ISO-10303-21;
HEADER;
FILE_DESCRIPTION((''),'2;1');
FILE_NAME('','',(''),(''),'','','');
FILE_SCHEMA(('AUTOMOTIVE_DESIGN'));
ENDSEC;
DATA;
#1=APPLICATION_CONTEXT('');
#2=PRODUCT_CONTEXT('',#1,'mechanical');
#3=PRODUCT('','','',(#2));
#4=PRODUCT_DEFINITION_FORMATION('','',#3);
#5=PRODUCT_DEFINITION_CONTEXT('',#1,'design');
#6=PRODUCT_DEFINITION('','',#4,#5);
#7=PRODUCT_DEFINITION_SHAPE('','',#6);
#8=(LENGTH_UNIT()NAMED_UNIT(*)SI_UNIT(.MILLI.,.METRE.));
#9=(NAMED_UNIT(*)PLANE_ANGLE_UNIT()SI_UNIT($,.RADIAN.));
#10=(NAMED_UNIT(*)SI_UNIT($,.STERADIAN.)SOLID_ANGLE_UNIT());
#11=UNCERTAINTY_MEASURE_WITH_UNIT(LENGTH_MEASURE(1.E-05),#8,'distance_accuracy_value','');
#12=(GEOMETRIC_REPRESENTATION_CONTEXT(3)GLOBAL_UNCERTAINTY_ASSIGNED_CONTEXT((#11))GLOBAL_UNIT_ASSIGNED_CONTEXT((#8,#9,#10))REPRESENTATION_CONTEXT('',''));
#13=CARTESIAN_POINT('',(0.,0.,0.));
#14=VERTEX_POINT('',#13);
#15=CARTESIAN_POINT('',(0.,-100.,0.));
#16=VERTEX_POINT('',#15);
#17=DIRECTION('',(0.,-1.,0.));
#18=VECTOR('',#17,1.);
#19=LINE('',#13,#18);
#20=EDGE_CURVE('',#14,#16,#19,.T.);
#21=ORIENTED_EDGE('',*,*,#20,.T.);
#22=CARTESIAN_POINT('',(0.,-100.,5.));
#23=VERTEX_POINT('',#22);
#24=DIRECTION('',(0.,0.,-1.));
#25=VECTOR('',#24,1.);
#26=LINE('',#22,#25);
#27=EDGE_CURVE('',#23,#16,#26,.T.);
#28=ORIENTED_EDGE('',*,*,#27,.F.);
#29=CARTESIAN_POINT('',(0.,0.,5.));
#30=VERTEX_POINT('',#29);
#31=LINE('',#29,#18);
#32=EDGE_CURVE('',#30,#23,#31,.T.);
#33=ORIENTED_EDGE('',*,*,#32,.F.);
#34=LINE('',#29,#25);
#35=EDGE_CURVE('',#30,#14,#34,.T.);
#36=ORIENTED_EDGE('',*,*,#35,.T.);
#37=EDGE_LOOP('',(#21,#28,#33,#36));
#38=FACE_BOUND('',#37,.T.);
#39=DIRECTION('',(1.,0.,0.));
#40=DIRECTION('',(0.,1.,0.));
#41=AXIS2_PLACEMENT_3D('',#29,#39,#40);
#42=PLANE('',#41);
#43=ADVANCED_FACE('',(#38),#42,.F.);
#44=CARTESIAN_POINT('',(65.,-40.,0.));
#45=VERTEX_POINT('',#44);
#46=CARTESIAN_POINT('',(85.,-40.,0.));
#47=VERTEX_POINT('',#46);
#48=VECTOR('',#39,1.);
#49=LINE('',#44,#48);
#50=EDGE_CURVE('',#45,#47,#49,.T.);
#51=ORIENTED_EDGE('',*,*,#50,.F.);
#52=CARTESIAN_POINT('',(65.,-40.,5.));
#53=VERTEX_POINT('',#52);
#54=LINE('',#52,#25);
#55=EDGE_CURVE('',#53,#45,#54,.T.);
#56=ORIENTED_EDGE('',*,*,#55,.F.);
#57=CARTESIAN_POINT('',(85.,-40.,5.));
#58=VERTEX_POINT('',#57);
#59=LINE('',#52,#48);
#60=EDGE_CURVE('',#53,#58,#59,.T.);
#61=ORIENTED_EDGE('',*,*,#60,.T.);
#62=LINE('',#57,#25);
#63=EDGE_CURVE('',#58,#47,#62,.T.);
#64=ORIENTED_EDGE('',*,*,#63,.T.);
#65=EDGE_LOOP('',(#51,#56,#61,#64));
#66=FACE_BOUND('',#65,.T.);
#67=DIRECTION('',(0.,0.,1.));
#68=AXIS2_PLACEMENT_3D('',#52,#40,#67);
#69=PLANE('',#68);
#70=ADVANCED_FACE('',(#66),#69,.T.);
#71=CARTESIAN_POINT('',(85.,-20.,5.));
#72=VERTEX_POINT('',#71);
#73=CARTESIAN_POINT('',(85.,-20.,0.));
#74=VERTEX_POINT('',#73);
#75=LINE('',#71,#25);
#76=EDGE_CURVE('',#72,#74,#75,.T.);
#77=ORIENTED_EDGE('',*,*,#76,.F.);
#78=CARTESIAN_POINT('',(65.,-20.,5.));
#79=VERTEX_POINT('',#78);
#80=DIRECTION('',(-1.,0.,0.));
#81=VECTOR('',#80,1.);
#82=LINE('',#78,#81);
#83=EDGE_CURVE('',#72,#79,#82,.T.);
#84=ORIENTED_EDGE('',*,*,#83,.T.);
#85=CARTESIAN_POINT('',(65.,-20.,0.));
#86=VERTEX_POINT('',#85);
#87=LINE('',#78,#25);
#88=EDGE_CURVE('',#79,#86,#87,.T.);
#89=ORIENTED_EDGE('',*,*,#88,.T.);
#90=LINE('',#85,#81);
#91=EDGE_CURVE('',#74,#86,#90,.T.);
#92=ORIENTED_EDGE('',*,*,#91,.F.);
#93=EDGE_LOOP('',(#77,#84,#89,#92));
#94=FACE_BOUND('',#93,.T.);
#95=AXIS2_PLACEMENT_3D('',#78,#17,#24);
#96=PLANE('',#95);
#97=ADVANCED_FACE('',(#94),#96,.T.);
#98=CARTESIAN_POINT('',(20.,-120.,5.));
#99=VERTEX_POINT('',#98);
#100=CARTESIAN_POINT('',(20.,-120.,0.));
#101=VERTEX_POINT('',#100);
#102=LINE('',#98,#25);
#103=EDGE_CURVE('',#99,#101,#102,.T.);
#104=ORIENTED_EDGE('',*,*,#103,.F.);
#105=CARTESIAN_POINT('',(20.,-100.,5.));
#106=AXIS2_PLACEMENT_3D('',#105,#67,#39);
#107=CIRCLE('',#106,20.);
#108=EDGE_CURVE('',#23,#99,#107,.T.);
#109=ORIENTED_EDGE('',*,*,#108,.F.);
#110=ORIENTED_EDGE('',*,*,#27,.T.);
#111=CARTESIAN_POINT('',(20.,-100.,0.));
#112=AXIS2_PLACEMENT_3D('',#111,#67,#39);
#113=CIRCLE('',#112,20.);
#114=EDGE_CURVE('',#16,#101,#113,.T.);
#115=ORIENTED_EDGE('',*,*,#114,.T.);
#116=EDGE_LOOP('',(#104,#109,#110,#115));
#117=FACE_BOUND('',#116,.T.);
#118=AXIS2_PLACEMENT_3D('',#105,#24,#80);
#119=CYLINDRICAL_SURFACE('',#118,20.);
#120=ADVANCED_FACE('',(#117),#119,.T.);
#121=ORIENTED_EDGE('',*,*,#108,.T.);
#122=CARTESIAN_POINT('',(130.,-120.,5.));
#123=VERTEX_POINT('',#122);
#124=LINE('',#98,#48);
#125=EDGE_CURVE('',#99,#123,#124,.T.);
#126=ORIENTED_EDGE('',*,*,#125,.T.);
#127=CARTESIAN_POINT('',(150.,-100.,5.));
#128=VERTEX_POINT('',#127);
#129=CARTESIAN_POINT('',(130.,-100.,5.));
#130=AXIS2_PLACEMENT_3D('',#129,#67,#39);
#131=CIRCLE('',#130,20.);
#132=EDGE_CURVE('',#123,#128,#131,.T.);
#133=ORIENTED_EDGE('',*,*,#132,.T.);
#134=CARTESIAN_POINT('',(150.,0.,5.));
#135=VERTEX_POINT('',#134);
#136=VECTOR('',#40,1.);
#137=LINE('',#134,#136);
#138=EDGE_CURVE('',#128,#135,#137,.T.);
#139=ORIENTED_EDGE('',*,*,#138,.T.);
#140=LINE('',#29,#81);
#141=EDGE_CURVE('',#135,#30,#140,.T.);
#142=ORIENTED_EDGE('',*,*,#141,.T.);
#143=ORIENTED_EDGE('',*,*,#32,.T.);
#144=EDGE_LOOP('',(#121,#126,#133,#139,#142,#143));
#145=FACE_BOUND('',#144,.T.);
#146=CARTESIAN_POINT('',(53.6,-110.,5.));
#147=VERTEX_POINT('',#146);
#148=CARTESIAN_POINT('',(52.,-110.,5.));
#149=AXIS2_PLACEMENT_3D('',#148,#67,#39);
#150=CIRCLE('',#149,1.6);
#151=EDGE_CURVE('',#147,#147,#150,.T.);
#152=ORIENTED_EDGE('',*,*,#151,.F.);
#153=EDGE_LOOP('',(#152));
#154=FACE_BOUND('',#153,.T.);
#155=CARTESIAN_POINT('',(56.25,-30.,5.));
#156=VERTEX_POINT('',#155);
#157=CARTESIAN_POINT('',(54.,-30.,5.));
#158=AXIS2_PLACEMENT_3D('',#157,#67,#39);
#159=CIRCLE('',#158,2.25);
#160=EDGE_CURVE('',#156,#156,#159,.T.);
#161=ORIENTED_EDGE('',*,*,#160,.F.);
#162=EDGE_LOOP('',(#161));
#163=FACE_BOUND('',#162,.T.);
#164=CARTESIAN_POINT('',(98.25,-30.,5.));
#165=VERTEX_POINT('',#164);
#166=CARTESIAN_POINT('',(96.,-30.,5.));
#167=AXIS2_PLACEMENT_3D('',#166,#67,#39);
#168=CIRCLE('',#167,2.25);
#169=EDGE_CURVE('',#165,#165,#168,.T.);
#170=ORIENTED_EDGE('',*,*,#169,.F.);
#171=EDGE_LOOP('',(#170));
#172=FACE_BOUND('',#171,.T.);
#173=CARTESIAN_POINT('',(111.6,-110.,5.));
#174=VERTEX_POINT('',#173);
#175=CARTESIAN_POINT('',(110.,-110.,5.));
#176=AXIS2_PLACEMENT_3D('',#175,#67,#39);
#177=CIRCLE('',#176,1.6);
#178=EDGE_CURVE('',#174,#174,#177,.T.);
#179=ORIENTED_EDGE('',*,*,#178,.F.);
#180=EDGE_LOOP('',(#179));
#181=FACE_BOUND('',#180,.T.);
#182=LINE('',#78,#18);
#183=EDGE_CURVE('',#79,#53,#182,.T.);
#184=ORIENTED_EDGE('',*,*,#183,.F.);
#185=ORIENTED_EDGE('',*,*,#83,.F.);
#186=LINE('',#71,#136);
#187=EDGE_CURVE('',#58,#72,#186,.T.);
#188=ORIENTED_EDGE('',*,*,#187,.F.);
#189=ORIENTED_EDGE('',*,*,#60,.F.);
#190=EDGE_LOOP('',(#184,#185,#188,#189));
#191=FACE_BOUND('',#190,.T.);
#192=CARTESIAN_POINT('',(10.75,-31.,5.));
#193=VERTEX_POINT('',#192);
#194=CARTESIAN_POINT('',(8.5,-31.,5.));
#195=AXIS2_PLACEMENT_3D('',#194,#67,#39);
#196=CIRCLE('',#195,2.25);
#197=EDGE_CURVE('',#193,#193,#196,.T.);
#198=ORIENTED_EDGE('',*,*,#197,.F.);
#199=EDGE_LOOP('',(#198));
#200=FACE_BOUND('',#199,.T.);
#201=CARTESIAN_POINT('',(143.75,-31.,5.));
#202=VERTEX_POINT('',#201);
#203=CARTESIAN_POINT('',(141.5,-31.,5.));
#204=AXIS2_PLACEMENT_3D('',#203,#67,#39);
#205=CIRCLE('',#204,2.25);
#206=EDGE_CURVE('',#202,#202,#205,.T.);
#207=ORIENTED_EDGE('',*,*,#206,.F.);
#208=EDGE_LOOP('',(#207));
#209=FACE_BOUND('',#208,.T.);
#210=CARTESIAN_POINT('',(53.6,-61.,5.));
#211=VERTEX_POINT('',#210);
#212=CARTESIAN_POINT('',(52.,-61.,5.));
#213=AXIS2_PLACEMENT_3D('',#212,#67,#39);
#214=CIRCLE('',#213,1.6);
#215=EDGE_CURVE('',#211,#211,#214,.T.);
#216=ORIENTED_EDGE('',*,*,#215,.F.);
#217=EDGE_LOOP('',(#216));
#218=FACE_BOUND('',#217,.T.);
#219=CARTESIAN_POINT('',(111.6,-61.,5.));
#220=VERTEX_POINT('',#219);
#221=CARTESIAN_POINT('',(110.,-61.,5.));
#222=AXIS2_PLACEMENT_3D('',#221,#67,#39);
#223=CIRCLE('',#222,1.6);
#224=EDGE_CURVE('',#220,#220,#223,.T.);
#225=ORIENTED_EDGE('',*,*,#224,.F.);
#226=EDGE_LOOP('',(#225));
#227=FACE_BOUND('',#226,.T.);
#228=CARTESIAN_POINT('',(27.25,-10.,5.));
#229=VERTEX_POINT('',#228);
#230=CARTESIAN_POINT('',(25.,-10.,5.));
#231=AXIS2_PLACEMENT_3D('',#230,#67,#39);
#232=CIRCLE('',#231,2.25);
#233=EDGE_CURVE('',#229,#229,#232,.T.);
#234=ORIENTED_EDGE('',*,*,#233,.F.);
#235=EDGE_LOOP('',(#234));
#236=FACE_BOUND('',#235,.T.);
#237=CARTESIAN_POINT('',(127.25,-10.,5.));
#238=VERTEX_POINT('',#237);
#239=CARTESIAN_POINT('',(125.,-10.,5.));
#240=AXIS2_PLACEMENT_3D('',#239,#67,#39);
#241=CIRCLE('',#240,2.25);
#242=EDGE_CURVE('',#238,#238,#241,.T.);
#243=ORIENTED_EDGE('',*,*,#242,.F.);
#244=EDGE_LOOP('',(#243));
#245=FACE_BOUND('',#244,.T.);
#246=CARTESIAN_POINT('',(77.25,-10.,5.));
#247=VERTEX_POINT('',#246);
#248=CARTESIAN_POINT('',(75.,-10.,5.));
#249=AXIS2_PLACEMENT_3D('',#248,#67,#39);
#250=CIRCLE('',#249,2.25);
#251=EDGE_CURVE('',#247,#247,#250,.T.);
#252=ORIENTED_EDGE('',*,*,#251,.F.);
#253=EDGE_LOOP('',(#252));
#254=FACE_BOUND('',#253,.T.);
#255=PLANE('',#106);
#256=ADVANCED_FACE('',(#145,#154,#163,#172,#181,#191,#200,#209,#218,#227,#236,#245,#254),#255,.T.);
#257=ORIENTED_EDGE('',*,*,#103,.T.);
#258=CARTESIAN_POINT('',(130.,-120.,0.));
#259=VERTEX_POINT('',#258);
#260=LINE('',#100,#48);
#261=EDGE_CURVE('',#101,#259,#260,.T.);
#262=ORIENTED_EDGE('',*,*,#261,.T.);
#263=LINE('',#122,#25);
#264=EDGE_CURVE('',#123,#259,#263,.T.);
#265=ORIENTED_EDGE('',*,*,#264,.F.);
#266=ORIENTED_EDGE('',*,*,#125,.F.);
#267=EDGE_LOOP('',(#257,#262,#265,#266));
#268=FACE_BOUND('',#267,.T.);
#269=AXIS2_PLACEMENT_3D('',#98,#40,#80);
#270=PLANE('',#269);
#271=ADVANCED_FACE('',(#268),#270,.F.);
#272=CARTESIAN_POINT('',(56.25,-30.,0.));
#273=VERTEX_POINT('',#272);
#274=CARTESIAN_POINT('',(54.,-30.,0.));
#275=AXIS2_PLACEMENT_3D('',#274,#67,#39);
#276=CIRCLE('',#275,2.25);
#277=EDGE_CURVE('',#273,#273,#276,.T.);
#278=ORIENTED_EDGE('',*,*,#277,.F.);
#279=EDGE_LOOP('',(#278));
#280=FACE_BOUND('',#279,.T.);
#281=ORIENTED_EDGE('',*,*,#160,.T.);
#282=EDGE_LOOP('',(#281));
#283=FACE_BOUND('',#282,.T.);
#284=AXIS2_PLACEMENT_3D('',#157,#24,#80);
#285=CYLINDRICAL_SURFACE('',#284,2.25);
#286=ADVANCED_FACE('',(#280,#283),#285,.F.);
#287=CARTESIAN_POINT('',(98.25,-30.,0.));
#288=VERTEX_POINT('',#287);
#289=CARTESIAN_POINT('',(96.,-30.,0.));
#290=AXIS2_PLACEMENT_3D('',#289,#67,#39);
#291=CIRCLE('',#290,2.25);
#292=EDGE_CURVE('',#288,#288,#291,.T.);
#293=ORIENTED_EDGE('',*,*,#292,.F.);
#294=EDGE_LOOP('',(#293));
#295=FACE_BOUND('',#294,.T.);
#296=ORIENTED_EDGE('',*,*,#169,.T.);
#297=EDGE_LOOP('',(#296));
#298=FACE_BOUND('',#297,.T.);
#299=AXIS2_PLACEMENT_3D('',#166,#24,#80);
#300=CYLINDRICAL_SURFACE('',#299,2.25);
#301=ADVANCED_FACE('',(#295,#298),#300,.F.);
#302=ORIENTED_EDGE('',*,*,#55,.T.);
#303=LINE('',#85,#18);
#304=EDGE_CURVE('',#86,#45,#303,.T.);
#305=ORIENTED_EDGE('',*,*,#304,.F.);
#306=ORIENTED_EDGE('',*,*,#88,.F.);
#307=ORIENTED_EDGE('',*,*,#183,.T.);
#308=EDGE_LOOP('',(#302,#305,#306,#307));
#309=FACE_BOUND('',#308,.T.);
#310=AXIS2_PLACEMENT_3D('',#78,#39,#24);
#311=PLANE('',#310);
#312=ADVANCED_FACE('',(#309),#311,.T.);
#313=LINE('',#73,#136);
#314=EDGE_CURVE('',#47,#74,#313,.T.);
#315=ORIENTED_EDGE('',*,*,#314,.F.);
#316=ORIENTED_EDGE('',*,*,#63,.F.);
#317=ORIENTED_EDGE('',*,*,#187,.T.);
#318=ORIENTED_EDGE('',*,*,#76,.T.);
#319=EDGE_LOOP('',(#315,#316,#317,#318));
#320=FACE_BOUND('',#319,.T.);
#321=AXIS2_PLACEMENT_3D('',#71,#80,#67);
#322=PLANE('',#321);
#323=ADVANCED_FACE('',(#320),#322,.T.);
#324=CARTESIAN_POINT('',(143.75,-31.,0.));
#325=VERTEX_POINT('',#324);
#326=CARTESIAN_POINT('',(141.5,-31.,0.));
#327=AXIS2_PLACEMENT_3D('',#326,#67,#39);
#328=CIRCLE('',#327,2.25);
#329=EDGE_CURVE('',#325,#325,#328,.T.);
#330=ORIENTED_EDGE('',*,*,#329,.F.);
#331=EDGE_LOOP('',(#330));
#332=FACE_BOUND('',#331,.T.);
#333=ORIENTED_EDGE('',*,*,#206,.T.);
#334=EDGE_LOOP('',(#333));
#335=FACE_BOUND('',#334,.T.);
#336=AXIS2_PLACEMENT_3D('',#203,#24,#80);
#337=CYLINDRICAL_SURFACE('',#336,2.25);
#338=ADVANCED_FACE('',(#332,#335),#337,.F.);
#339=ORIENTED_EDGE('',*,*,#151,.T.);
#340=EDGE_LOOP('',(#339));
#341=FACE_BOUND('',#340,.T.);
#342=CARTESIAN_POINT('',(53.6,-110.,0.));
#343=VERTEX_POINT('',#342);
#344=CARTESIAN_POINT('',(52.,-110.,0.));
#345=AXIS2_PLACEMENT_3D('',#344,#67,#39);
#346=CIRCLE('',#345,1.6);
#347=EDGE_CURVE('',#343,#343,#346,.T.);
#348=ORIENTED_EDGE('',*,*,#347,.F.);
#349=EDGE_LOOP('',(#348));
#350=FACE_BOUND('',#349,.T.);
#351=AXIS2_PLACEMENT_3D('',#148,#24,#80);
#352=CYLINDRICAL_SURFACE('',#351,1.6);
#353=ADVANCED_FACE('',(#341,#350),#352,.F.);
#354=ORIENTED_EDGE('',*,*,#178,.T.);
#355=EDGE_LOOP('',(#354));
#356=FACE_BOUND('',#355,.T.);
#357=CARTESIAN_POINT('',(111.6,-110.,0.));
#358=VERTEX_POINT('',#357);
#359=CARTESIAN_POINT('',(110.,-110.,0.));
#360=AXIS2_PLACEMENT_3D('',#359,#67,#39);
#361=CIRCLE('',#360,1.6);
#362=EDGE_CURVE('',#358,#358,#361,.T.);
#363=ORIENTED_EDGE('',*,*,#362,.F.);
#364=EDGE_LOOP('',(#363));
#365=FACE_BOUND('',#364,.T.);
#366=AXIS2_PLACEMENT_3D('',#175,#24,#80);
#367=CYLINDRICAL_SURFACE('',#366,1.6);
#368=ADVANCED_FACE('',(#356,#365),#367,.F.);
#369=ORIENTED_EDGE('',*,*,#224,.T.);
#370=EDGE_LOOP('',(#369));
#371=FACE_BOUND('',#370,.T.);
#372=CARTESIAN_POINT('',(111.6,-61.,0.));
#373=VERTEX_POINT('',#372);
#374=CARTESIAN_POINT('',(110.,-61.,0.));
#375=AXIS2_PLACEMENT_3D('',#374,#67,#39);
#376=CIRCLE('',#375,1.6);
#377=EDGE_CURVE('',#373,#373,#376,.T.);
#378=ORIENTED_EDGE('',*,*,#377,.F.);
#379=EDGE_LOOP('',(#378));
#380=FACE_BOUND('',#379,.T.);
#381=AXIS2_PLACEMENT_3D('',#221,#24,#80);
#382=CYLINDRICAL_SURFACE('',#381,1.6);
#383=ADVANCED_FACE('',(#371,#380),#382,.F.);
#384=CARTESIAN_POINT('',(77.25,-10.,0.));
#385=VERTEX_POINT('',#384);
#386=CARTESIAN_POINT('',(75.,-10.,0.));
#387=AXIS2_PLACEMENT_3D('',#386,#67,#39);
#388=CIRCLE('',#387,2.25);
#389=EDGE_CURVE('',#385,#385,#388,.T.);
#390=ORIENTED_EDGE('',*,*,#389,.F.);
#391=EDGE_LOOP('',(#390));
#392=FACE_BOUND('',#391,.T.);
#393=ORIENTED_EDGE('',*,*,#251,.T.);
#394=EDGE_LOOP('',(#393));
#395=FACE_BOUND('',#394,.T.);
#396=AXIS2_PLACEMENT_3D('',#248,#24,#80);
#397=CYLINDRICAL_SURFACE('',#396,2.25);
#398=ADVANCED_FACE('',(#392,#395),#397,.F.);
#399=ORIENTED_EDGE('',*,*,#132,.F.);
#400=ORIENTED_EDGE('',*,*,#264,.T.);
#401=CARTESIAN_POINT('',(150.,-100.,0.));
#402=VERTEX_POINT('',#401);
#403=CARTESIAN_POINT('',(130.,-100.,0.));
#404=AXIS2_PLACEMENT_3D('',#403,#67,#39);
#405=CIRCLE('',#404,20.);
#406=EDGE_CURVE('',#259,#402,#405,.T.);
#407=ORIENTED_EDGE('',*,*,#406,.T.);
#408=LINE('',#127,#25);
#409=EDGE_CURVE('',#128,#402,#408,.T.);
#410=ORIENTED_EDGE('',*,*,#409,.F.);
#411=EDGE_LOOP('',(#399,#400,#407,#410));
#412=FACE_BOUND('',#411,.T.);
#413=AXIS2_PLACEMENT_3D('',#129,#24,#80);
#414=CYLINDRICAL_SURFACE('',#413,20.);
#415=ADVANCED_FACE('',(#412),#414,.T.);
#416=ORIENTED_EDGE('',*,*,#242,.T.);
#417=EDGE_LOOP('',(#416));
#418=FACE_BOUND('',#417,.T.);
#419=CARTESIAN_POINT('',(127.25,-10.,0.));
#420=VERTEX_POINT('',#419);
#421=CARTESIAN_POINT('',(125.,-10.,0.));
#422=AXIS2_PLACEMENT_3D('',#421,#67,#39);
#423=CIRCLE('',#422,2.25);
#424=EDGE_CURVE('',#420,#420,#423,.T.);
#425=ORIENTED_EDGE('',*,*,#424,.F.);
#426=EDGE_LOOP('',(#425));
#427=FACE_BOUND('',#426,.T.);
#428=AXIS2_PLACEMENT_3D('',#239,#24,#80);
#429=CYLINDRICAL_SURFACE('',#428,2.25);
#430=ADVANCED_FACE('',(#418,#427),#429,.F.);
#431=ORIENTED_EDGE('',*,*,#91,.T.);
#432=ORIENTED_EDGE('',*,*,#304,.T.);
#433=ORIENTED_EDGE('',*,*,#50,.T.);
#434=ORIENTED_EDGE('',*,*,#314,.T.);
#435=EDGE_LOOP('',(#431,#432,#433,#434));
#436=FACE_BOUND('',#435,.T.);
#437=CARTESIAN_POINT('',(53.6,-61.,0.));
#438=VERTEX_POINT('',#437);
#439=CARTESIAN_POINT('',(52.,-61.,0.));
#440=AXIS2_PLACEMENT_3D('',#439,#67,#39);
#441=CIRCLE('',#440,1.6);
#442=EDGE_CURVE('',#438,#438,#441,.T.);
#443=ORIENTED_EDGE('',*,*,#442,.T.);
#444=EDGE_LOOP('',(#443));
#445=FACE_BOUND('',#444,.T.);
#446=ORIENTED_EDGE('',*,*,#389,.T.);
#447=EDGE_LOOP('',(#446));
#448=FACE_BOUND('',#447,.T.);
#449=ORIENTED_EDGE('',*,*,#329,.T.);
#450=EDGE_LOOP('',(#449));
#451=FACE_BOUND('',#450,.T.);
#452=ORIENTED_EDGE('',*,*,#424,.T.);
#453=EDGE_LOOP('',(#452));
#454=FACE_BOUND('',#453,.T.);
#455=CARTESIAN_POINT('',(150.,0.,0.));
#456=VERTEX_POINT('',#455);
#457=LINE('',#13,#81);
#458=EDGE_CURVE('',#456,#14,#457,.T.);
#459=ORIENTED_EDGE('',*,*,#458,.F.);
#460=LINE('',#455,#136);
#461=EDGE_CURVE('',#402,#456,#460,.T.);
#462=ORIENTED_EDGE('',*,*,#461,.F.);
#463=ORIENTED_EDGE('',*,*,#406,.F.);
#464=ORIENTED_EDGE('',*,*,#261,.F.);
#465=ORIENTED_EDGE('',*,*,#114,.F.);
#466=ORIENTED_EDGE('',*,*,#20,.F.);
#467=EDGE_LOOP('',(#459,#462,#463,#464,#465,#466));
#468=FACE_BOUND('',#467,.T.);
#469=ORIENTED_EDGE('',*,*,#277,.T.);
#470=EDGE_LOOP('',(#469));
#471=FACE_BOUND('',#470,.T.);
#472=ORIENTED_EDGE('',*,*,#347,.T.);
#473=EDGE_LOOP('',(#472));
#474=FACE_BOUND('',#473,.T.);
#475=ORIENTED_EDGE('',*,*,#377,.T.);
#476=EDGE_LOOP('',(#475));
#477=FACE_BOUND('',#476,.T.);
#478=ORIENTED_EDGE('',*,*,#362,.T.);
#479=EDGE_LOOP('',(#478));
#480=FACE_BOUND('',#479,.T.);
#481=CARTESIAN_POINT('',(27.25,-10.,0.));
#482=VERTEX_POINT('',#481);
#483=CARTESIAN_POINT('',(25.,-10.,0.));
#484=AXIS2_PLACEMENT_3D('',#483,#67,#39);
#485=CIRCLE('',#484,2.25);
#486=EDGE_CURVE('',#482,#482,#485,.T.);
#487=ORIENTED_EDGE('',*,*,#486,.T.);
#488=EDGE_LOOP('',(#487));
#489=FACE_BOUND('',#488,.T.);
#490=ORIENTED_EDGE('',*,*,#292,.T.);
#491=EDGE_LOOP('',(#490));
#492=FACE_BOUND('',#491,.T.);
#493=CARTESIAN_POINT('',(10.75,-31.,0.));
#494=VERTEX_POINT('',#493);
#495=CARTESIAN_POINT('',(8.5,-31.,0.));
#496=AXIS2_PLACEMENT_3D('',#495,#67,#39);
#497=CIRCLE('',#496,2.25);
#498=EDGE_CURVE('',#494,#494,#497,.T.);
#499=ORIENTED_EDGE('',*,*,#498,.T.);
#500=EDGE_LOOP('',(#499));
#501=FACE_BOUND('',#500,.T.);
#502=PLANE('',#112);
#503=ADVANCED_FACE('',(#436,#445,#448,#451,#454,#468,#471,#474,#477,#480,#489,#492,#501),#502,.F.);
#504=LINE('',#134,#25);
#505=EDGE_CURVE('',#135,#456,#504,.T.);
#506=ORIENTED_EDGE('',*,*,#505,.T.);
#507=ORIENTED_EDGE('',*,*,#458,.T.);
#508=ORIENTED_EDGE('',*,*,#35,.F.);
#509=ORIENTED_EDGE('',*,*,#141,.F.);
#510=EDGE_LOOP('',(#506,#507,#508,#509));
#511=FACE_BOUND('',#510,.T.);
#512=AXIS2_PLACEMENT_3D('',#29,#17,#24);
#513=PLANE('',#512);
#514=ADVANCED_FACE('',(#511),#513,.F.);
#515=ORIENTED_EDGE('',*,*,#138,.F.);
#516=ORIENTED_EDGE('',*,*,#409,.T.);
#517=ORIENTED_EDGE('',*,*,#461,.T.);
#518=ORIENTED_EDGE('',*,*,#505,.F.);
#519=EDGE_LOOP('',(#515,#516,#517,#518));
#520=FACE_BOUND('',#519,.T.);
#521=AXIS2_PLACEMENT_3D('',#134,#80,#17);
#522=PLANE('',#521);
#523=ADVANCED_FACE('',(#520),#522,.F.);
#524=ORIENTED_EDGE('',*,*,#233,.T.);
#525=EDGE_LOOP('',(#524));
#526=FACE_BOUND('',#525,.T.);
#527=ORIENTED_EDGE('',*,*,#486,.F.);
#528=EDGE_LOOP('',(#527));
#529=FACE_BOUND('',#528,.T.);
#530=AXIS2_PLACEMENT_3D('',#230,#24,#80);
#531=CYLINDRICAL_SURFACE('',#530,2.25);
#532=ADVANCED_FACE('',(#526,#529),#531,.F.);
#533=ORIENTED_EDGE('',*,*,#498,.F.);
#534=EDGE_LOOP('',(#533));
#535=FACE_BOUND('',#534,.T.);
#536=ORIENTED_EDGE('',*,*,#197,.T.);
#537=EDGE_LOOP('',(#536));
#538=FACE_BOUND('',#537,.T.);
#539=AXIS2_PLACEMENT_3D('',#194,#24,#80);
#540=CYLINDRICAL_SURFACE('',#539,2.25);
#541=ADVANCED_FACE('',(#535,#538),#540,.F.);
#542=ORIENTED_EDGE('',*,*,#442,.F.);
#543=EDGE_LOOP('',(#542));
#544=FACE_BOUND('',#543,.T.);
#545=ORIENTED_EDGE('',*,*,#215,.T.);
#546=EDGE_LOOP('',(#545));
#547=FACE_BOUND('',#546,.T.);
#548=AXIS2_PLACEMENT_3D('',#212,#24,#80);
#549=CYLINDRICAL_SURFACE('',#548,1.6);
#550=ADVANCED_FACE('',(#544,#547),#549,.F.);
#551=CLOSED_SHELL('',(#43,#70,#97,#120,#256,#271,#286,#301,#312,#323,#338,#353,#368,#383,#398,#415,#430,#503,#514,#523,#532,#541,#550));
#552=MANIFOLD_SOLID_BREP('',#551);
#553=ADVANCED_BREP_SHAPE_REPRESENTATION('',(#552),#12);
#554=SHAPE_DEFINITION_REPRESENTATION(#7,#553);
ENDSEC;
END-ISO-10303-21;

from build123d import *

# Parameters (mm, degrees)
ESQUISSE1_R        = 1.6
ESQUISSE1_R_2      = 2.25
ESQUISSE1_W        = 20
ESQUISSE1_H        = 20
BOSS_EXTRU_1_DEPTH = 5


with BuildPart() as part:
    # Esquisse1 → Boss.-Extru.1 (new body)
    with BuildSketch(Plane.XY):
        with BuildLine():
            Line((0, 0), (150, 0))
            Line((150, 0), (150, -100))
            ThreePointArc((150, -100), (144.142135624, -114.142135624), (130, -120))
            Line((130, -120), (20, -120))
            ThreePointArc((20, -120), (5.857864376, -114.142135624), (0, -100))
            Line((0, -100), (0, 0))
        make_face()
        with Locations((52, -61)):
            Circle(ESQUISSE1_R, mode=Mode.SUBTRACT)
        with Locations((110, -61)):
            Circle(ESQUISSE1_R, mode=Mode.SUBTRACT)
        with Locations((110, -110)):
            Circle(ESQUISSE1_R, mode=Mode.SUBTRACT)
        with Locations((52, -110)):
            Circle(ESQUISSE1_R, mode=Mode.SUBTRACT)
        with Locations((8.5, -31)):
            Circle(ESQUISSE1_R_2, mode=Mode.SUBTRACT)
        with Locations((141.5, -31)):
            Circle(ESQUISSE1_R_2, mode=Mode.SUBTRACT)
        with Locations((25, -10)):
            Circle(ESQUISSE1_R_2, mode=Mode.SUBTRACT)
        with Locations((125, -10)):
            Circle(ESQUISSE1_R_2, mode=Mode.SUBTRACT)
        with Locations((96, -30)):
            Circle(ESQUISSE1_R_2, mode=Mode.SUBTRACT)
        with Locations((54, -30)):
            Circle(ESQUISSE1_R_2, mode=Mode.SUBTRACT)
        with Locations((75, -10)):
            Circle(ESQUISSE1_R_2, mode=Mode.SUBTRACT)
        with Locations((75, -30)):
            Rectangle(ESQUISSE1_W, ESQUISSE1_H, mode=Mode.SUBTRACT)
    extrude(amount=BOSS_EXTRU_1_DEPTH)


solid = part.part
